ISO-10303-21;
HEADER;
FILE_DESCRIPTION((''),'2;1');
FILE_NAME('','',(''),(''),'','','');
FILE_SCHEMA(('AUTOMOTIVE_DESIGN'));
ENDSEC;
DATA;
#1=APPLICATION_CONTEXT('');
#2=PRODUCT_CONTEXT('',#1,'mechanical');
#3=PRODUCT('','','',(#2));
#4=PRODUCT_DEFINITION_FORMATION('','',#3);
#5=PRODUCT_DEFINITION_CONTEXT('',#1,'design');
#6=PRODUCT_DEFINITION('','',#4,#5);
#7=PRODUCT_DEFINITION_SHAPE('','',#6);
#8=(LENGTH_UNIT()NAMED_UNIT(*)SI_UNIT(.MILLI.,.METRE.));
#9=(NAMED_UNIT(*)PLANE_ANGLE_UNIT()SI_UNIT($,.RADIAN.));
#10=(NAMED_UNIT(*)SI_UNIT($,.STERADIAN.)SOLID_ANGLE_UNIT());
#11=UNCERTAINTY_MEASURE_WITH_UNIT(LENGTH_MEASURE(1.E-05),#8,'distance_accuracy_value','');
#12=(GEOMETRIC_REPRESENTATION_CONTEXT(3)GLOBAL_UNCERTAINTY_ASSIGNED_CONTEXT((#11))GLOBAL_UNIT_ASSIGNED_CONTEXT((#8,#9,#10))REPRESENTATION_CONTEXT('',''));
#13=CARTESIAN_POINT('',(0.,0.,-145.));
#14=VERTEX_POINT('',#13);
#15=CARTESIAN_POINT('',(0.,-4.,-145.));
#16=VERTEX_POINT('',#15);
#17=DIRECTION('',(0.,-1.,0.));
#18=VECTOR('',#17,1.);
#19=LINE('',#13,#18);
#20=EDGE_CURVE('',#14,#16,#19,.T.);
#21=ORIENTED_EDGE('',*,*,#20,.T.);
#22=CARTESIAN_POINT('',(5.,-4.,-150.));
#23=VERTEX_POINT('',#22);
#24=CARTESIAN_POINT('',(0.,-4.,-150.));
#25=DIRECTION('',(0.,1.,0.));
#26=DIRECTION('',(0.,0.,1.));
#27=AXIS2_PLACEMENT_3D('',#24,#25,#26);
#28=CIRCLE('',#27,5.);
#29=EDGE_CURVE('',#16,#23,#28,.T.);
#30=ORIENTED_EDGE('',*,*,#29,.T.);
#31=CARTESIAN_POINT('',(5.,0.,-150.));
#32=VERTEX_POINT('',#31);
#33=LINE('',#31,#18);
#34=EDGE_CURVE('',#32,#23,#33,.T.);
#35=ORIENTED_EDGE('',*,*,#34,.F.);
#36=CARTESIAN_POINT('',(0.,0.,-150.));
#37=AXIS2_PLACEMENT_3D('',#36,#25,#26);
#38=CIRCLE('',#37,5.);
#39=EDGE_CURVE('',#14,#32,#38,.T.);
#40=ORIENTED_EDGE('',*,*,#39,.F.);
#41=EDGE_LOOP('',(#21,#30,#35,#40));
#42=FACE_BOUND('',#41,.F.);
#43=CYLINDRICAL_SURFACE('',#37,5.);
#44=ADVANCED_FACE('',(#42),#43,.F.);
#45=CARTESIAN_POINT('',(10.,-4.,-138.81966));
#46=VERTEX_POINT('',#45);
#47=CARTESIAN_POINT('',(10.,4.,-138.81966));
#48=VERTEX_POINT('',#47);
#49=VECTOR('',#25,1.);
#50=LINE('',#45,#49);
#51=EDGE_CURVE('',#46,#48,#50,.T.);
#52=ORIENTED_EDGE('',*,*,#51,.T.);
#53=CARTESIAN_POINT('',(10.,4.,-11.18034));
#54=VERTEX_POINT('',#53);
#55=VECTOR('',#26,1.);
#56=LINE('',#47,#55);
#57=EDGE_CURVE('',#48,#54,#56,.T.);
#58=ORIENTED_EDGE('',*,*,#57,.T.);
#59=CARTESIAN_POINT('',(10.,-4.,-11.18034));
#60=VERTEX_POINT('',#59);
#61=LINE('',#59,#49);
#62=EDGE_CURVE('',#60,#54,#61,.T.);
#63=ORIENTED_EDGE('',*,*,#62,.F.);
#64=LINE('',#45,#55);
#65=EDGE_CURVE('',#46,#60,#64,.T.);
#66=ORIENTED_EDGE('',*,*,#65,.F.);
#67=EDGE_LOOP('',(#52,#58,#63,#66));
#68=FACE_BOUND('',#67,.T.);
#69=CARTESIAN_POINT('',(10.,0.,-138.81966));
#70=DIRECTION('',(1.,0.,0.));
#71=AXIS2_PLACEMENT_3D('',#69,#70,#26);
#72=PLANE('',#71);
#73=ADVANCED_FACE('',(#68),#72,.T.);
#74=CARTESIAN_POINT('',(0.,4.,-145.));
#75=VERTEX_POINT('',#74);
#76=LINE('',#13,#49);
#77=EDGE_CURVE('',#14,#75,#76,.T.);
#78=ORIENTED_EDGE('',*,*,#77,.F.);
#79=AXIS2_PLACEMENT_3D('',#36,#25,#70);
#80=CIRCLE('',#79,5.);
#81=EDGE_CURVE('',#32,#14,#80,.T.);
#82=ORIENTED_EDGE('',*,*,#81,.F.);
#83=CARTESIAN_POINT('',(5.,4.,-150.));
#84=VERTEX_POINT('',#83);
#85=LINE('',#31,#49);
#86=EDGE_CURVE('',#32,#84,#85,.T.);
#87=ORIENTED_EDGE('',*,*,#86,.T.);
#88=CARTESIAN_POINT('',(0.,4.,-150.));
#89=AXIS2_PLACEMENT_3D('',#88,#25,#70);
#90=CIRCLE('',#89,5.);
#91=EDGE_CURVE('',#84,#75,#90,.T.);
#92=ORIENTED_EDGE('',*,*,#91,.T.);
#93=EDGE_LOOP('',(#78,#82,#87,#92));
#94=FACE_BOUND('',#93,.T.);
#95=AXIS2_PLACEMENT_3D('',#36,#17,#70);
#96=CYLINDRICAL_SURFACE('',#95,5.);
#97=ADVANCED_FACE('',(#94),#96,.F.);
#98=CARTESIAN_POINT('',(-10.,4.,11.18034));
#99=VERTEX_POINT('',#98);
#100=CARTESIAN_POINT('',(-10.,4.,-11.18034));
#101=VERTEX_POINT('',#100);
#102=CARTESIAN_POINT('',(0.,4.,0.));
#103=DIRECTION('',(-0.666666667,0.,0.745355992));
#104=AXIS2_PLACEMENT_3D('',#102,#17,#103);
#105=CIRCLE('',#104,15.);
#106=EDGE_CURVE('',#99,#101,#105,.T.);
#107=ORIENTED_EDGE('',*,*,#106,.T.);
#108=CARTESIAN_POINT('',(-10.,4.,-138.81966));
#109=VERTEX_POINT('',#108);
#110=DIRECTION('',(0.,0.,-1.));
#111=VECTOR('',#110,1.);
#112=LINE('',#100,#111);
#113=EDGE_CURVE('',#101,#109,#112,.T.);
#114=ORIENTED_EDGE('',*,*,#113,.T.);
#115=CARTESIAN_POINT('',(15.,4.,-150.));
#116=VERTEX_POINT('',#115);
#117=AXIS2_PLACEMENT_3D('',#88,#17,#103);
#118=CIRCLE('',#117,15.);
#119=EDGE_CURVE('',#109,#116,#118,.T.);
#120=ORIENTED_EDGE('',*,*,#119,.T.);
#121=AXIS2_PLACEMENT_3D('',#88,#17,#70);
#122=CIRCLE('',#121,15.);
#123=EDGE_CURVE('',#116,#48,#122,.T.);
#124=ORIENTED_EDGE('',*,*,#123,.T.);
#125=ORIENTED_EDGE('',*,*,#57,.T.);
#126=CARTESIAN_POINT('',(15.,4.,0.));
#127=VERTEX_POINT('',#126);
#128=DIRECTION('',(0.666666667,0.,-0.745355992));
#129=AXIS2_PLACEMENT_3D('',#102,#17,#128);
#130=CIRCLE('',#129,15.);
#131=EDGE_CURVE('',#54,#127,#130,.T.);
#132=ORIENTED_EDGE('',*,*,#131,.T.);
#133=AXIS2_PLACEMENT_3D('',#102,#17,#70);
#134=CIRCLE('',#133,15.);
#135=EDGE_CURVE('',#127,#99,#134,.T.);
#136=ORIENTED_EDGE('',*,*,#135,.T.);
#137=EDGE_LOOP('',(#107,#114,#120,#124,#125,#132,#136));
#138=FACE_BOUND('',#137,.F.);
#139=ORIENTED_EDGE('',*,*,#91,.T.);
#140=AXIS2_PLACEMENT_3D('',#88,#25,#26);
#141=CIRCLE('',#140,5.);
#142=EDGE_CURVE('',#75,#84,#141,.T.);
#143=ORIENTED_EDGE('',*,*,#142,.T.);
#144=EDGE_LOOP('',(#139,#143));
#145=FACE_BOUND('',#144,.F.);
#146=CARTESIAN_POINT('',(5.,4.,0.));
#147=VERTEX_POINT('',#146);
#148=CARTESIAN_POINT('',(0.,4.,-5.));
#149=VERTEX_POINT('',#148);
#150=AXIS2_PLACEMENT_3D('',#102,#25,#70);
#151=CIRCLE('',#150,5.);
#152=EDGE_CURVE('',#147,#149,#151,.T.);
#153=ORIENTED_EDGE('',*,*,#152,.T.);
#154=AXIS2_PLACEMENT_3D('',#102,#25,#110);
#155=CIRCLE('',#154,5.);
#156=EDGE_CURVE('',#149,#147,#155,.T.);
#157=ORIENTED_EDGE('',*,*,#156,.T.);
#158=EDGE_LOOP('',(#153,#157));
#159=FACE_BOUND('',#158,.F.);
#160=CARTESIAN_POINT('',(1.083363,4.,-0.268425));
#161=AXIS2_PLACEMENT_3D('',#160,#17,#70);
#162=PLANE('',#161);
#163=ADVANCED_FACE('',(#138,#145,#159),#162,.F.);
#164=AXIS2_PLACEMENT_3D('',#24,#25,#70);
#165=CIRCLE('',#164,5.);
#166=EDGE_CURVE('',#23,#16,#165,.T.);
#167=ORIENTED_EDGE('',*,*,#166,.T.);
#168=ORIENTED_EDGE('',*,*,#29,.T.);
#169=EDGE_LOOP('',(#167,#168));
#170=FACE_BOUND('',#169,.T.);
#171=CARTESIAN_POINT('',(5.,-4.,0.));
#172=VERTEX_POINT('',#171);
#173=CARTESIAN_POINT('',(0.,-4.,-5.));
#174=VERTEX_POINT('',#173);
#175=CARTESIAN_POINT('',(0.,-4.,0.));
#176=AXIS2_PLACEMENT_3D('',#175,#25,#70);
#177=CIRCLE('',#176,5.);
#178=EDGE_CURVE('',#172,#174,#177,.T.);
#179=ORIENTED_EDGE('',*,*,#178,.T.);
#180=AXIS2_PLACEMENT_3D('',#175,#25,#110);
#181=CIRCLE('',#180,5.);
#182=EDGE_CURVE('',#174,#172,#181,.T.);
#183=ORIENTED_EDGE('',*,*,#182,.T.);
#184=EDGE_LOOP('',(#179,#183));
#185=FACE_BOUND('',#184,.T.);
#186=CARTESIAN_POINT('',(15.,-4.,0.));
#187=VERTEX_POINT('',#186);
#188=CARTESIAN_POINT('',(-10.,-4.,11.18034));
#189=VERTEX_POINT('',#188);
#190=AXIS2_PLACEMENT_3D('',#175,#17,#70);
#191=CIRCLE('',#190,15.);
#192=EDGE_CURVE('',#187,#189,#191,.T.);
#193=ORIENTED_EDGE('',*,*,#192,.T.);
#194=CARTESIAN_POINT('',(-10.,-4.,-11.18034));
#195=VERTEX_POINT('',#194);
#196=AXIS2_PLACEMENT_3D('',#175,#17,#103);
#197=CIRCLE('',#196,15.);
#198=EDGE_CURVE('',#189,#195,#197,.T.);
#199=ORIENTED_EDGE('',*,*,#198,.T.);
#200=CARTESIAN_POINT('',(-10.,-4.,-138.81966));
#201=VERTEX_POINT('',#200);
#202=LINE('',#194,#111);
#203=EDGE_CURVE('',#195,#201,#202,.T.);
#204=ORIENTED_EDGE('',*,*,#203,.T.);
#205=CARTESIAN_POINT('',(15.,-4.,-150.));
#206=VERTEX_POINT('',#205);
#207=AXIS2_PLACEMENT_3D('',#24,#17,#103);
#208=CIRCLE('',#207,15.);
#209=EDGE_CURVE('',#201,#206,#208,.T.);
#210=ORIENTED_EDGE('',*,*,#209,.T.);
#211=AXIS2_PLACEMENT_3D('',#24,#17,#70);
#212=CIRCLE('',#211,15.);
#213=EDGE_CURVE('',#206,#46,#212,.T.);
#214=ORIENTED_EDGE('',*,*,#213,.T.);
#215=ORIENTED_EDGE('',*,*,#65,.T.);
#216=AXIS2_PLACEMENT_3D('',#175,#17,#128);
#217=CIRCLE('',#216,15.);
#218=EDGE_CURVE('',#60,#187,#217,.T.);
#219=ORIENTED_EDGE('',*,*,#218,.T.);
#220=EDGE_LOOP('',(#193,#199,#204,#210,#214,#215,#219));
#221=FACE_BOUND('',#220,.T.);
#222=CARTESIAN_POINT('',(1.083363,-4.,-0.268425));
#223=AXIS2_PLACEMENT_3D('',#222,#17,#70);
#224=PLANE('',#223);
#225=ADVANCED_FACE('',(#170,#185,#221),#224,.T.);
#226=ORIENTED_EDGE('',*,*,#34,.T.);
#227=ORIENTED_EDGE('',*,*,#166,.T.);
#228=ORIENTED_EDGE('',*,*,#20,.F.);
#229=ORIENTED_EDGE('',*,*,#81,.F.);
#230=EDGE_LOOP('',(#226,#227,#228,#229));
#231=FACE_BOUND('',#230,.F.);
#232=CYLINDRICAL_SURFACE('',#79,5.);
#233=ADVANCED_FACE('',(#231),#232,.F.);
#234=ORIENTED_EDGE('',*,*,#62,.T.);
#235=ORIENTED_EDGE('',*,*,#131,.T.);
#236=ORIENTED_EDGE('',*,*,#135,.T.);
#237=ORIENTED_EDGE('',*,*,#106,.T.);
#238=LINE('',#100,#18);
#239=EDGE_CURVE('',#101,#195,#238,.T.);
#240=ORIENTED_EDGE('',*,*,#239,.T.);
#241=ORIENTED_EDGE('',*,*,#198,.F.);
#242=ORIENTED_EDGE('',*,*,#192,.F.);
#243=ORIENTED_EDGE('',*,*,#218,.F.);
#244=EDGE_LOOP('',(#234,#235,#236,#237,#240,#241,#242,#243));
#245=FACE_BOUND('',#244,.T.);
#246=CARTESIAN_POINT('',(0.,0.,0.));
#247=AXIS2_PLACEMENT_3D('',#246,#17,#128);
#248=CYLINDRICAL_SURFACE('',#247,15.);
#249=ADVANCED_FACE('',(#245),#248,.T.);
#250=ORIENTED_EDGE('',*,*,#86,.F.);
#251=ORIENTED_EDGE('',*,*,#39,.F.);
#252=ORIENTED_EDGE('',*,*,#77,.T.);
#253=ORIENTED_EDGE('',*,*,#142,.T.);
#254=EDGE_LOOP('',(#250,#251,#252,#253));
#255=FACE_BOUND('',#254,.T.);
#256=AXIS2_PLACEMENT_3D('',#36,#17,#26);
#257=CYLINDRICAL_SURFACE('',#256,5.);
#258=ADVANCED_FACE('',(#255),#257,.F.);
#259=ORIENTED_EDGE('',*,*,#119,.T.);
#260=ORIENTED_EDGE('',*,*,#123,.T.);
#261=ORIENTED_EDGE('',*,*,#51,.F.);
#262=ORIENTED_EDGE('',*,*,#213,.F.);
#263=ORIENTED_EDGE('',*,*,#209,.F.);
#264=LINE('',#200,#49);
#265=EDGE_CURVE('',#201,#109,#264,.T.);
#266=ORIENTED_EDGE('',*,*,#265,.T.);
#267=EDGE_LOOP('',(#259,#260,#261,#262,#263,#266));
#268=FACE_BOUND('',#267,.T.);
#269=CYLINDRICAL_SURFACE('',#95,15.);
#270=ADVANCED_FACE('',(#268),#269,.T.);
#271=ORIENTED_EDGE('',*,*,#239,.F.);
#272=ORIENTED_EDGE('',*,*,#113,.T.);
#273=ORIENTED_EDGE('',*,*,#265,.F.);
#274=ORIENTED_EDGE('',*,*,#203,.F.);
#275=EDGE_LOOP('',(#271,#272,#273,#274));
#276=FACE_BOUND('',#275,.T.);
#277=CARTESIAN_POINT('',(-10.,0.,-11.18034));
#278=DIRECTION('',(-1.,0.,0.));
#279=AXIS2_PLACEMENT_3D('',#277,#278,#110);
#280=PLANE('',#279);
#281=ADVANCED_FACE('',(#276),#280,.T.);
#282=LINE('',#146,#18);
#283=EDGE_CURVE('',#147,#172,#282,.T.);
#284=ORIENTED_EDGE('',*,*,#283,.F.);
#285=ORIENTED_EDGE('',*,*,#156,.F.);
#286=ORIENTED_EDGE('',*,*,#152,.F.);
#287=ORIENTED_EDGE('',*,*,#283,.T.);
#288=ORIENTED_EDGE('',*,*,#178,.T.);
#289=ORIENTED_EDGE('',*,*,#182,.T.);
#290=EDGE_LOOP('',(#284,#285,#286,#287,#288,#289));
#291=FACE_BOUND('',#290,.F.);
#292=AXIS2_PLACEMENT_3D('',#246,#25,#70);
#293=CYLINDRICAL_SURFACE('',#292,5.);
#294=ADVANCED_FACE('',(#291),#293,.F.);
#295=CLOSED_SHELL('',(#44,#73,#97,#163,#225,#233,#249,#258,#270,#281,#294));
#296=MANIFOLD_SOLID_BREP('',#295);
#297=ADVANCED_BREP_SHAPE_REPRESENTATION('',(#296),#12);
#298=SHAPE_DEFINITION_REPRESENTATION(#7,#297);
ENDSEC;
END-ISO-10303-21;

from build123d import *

# Parameters (mm, degrees)
F1_DEPTH = 4


with BuildPart() as f1:
    # F0 (on Front) → F1 (new body, symmetric)
    with BuildSketch(Plane.XZ):
        with BuildLine():
            ThreePointArc((10, -11.1803398875), (13.6930639376, -6.123724357), (15, 0))
            ThreePointArc((15, 0), (6.123724357, 13.6930639376), (-10, 11.1803398875))
            Line((-10, 11.1803398875), (-10, -11.1803398875))
            ThreePointArc((-10, -11.1803398875), (-5.3523313466, -14.0125853844), (0, -15))
            ThreePointArc((0, -15), (5.3523313466, -14.0125853844), (10, -11.1803398875))
        make_face()
        with BuildLine():
            ThreePointArc((5, 0), (3.5355339059, -3.5355339059), (0, -5))
            ThreePointArc((0, -5), (-3.5355339059, 3.5355339059), (5, 0))
        make_face(mode=Mode.SUBTRACT)
        with BuildLine():
            Line((-10, -11.1803398875), (-10, 11.1803398875))
            ThreePointArc((-10, 11.1803398875), (-15, 0), (-10, -11.1803398875))
        make_face()
        with BuildLine():
            Line((10, -138.8196601125), (10, -11.1803398875))
            ThreePointArc((10, -11.1803398875), (5.3523313466, -14.0125853844), (0, -15))
            Line((0, -15), (0, -135))
            ThreePointArc((0, -135), (5.3523313466, -135.9874146156), (10, -138.8196601125))
        make_face()
        with BuildLine():
            ThreePointArc((0, -15), (-5.3523313466, -14.0125853844), (-10, -11.1803398875))
            Line((-10, -11.1803398875), (-10, -138.8196601125))
            ThreePointArc((-10, -138.8196601125), (-5.3523313466, -135.9874146156), (0, -135))
            Line((0, -135), (0, -15))
        make_face()
        with BuildLine():
            ThreePointArc((15, -150), (13.6930639376, -143.876275643), (10, -138.8196601125))
            ThreePointArc((10, -138.8196601125), (5.3523313466, -135.9874146156), (0, -135))
            ThreePointArc((0, -135), (-5.3523313466, -135.9874146156), (-10, -138.8196601125))
            ThreePointArc((-10, -138.8196601125), (-6.123724357, -163.6930639376), (15, -150))
        make_face()
        with BuildLine():
            ThreePointArc((5, -150), (-3.5355339059, -153.5355339059), (0, -145))
            ThreePointArc((0, -145), (3.5355339059, -146.4644660941), (5, -150))
        make_face(mode=Mode.SUBTRACT)
    extrude(amount=F1_DEPTH, both=True)


solid = f1.part
